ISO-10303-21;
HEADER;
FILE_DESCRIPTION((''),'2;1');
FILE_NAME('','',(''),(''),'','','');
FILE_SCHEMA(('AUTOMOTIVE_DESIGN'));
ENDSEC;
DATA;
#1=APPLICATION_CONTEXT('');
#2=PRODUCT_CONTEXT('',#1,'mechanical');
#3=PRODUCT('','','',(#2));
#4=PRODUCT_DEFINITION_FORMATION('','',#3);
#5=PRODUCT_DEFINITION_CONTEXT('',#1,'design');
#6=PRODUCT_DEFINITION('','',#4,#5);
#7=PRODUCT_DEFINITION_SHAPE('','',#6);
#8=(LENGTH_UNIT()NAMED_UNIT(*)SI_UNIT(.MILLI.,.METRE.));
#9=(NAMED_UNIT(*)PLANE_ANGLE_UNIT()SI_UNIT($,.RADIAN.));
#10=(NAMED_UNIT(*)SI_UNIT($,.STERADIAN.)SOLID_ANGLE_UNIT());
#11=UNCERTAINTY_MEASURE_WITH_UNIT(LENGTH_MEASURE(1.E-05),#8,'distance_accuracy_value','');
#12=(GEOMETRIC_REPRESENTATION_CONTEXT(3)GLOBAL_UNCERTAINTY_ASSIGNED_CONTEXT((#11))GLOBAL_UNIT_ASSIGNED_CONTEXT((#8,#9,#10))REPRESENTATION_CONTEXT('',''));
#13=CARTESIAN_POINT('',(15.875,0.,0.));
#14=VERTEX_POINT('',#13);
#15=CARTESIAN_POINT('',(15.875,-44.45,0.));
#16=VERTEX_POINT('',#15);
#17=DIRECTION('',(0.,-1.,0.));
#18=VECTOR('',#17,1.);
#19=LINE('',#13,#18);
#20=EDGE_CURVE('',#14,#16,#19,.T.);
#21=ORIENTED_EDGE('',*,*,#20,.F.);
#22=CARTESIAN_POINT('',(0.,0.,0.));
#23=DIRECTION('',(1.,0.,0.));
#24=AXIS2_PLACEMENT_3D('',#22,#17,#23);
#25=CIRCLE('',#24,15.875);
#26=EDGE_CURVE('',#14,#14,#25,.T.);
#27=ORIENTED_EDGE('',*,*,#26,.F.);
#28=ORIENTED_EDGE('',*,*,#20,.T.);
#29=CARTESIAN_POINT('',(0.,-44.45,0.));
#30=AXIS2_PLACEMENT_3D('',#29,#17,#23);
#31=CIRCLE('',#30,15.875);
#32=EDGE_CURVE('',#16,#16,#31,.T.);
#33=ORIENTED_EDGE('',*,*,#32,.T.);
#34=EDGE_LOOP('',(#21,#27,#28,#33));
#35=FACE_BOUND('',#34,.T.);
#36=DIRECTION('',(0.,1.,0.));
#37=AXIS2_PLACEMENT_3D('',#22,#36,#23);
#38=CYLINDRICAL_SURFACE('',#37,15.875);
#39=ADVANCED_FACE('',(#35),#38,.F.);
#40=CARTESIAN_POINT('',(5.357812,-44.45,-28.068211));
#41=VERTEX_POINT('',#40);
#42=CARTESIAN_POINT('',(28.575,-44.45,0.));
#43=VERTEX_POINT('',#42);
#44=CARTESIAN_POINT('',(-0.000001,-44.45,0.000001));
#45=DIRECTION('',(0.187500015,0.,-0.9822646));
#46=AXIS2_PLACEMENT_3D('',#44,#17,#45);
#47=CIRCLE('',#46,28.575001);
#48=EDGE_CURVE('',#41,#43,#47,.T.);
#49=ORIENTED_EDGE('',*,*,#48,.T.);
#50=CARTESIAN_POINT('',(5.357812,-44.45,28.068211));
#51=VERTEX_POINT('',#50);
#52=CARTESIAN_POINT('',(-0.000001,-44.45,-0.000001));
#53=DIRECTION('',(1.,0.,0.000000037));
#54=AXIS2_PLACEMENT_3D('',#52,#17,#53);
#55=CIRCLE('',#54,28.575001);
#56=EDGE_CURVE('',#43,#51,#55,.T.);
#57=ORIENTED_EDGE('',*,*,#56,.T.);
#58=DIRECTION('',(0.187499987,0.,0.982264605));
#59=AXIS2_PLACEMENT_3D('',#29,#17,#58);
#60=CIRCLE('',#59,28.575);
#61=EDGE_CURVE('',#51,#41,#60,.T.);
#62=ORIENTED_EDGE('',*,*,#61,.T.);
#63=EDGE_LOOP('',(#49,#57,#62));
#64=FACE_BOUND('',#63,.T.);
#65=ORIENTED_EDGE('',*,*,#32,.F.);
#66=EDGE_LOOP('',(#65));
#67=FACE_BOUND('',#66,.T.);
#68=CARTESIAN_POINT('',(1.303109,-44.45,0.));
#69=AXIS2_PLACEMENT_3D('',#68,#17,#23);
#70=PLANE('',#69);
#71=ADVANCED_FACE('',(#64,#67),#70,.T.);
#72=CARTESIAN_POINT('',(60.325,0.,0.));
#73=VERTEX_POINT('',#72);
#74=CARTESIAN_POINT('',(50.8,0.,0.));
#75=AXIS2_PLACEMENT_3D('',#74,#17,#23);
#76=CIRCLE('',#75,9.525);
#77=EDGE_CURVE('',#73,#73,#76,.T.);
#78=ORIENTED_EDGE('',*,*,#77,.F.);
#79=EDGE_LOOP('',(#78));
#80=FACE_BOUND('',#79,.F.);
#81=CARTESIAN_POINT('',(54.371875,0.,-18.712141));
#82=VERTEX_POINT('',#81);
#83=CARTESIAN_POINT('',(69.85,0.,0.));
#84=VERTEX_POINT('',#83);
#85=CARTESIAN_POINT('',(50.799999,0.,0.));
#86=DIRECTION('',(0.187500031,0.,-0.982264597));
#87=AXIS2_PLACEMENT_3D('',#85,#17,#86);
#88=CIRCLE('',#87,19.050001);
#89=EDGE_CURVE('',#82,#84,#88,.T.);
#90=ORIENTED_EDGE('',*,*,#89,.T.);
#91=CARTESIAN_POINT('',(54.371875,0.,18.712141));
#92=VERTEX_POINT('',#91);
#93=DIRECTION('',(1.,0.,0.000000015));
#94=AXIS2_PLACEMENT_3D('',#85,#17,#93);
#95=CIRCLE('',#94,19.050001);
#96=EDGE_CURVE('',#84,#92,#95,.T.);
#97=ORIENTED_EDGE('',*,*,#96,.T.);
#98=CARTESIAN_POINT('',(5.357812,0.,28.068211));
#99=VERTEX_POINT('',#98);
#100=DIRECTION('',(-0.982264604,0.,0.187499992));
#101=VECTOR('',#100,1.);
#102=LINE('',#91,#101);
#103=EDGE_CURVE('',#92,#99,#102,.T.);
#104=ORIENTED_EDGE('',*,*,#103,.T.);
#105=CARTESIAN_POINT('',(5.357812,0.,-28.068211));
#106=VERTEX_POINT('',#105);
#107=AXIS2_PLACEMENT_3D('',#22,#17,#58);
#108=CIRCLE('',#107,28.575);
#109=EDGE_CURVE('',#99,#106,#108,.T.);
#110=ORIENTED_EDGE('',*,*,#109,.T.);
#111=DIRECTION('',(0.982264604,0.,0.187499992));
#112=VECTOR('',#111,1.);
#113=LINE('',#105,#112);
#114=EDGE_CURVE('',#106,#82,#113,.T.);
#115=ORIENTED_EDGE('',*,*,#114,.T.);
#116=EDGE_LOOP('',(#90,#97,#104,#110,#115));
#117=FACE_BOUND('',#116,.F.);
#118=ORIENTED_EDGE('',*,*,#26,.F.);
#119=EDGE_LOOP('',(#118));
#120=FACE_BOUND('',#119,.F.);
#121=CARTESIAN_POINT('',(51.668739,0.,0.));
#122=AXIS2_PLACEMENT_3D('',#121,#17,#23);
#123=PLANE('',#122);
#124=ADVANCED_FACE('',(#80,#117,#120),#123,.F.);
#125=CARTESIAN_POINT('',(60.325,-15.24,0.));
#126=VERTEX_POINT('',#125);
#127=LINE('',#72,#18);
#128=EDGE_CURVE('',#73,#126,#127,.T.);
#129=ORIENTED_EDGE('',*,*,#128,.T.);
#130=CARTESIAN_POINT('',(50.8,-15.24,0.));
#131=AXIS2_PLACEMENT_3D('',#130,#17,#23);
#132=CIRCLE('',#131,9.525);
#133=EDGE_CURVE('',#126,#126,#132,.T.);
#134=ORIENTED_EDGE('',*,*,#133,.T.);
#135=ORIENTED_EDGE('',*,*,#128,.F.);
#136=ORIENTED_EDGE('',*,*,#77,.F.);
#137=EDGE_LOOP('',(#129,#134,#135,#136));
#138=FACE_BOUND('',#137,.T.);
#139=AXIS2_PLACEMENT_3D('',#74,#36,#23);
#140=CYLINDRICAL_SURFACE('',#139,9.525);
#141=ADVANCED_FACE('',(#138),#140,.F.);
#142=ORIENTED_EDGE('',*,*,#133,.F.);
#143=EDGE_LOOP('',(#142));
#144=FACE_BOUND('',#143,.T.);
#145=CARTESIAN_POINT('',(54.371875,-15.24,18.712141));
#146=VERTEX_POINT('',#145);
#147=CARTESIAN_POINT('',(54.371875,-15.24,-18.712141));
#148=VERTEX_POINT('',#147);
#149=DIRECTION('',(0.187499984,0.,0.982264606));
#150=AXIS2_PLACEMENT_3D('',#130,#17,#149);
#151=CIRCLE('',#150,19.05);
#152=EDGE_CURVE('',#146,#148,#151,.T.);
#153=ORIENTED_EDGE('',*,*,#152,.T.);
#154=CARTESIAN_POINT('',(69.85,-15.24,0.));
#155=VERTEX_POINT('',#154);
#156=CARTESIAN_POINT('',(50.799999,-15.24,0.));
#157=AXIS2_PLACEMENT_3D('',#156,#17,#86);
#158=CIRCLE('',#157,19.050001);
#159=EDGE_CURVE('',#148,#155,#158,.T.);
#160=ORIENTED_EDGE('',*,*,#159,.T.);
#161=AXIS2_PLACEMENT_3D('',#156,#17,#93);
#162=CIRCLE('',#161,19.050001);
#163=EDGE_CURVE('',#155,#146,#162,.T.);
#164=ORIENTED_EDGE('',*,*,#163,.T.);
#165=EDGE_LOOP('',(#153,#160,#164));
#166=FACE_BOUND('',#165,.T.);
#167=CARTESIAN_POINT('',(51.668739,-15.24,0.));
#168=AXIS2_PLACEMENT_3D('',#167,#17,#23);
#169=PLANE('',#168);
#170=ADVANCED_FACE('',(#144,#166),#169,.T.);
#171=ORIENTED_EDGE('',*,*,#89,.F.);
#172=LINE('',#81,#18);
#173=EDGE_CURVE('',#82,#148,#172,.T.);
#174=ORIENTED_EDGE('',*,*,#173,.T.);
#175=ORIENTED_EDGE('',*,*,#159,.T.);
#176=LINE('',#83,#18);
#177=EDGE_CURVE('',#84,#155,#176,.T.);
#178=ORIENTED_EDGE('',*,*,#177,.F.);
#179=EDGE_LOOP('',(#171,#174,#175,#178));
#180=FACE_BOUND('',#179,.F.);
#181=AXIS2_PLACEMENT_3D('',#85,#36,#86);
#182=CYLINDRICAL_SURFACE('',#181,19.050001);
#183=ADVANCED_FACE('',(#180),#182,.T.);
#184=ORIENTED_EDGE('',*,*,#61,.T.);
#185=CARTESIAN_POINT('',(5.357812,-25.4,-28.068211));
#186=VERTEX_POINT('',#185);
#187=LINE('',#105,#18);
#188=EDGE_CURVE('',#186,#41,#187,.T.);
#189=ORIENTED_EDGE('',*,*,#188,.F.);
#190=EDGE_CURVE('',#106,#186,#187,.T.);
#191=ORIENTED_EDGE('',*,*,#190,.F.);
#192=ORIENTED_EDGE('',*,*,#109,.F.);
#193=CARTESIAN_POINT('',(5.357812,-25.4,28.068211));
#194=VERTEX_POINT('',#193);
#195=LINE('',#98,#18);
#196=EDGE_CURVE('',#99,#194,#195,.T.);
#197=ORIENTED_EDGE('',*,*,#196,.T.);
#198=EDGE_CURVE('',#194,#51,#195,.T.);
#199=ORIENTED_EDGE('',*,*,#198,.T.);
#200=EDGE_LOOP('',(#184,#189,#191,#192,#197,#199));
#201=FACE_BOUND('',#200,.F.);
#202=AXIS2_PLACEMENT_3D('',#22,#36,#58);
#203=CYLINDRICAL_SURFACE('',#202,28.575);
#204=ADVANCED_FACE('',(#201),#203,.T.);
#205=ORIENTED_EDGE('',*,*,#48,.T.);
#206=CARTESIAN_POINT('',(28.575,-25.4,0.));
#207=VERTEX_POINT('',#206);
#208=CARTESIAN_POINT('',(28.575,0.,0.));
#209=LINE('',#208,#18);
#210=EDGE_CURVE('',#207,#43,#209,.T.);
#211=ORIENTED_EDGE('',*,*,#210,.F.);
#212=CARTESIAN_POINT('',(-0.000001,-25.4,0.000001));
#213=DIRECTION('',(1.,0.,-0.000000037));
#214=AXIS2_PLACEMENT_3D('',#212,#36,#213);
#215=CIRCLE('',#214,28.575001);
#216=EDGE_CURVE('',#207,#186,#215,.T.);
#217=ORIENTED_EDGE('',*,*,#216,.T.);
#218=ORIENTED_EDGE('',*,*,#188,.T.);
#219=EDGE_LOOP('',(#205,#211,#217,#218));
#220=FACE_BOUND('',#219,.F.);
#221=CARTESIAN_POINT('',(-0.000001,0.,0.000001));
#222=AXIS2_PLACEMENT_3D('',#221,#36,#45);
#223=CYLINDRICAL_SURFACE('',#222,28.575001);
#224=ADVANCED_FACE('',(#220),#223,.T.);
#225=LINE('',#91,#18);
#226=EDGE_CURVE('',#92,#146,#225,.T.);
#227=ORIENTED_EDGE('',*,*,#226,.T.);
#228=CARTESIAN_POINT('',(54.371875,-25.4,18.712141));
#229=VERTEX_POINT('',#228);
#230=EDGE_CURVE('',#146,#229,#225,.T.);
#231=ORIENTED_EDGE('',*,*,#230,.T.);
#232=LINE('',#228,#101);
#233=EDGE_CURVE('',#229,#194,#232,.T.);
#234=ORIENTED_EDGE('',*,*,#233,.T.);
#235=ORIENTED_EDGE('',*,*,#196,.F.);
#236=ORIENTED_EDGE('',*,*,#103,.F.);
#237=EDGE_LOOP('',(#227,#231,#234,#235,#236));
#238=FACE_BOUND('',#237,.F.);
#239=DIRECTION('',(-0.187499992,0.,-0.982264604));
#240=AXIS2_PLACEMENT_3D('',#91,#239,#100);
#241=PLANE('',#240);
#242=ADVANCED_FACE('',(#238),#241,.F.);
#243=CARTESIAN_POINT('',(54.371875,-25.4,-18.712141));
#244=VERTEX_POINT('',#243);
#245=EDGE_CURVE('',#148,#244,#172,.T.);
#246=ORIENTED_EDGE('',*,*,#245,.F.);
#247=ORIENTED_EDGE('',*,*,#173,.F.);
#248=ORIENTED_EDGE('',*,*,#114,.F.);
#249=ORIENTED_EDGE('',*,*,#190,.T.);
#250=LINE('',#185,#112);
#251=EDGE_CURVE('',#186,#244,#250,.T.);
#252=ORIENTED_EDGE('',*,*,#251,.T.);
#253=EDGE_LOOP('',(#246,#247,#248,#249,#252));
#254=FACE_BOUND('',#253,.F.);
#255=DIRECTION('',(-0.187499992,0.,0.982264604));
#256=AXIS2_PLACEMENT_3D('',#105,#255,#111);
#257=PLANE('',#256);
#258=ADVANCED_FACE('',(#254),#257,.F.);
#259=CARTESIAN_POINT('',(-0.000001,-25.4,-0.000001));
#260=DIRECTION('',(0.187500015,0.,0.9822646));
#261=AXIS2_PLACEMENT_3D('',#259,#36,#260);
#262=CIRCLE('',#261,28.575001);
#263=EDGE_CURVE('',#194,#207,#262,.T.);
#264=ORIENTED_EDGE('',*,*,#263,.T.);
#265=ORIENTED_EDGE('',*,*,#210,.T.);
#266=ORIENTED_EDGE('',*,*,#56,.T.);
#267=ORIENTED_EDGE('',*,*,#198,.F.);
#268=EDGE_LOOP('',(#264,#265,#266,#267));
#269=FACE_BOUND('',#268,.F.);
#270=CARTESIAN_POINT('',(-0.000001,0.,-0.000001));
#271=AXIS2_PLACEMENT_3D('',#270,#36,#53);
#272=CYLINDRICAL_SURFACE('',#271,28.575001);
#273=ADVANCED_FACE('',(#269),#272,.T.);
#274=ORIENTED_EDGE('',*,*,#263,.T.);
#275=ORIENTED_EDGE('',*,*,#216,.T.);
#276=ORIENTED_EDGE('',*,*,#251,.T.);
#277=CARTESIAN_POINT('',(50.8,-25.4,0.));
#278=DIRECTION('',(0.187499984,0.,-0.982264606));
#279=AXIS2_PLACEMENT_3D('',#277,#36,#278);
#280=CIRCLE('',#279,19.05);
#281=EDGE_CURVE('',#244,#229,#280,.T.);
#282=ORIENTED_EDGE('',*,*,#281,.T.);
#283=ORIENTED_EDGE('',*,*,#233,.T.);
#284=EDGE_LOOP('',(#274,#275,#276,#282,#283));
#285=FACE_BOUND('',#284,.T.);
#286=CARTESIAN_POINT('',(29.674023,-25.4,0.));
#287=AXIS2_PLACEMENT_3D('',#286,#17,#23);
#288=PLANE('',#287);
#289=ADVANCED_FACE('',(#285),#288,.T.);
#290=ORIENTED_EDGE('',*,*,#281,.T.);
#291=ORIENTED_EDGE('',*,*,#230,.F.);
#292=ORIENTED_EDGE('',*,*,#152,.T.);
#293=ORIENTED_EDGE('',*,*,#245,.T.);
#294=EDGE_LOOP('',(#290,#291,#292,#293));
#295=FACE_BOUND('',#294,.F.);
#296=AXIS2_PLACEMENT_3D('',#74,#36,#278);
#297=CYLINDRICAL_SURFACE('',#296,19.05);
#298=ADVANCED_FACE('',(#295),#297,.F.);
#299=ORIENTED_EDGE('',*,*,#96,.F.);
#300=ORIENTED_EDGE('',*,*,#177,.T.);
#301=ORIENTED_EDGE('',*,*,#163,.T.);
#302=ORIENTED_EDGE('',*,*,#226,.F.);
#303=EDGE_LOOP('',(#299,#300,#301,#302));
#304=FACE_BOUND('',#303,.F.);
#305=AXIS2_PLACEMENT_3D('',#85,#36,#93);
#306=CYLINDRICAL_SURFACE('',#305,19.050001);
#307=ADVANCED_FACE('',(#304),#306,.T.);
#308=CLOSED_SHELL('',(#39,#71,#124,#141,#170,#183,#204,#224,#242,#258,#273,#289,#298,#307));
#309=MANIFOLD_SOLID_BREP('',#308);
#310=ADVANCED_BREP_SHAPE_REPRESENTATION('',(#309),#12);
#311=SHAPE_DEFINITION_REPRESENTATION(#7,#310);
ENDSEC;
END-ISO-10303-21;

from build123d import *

# Parameters (mm, degrees)
F0_R     = 15.875
F1_DEPTH = 44.45
F2_DEPTH = 25.4
F0_R_2   = 9.525
F3_DEPTH = 15.24


with BuildPart() as f1:
    # F0 (on Front) → F1 (new body)
    with BuildSketch(Plane.XZ):
        with BuildLine():
            ThreePointArc((28.575, 0), (22.018516, 18.21306), (5.357812, 28.068211))
            ThreePointArc((5.357812, 28.068211), (-28.575, 0), (5.357812, -28.068211))
            ThreePointArc((5.357812, -28.068211), (22.018516, -18.21306), (28.575, 0))
        make_face()
        Circle(F0_R, mode=Mode.SUBTRACT)
    extrude(amount=F1_DEPTH)

    # F0 (on Front) → F2 (join)
    with BuildSketch(Plane.XZ):
        with BuildLine():
            ThreePointArc((54.371875, -18.712141), (31.75, 0), (54.371875, 18.712141))
            Line((54.371875, 18.712141), (5.357812, 28.068211))
            ThreePointArc((5.357812, 28.068211), (22.018516, 18.21306), (28.575, 0))
            ThreePointArc((28.575, 0), (22.018516, -18.21306), (5.357812, -28.068211))
            Line((5.357812, -28.068211), (54.371875, -18.712141))
        make_face()
    extrude(amount=F2_DEPTH)

    # F0 (on Front) → F3 (join)
    with BuildSketch(Plane.XZ):
        with BuildLine():
            ThreePointArc((54.371875, -18.712141), (65.479011, -12.14204), (69.85, 0))
            ThreePointArc((69.85, 0), (65.479011, 12.14204), (54.371875, 18.712141))
            ThreePointArc((54.371875, 18.712141), (31.75, 0), (54.371875, -18.712141))
        make_face()
        with Locations((50.8, 0)):
            Circle(F0_R_2, mode=Mode.SUBTRACT)
    extrude(amount=F3_DEPTH)


solid = f1.part
